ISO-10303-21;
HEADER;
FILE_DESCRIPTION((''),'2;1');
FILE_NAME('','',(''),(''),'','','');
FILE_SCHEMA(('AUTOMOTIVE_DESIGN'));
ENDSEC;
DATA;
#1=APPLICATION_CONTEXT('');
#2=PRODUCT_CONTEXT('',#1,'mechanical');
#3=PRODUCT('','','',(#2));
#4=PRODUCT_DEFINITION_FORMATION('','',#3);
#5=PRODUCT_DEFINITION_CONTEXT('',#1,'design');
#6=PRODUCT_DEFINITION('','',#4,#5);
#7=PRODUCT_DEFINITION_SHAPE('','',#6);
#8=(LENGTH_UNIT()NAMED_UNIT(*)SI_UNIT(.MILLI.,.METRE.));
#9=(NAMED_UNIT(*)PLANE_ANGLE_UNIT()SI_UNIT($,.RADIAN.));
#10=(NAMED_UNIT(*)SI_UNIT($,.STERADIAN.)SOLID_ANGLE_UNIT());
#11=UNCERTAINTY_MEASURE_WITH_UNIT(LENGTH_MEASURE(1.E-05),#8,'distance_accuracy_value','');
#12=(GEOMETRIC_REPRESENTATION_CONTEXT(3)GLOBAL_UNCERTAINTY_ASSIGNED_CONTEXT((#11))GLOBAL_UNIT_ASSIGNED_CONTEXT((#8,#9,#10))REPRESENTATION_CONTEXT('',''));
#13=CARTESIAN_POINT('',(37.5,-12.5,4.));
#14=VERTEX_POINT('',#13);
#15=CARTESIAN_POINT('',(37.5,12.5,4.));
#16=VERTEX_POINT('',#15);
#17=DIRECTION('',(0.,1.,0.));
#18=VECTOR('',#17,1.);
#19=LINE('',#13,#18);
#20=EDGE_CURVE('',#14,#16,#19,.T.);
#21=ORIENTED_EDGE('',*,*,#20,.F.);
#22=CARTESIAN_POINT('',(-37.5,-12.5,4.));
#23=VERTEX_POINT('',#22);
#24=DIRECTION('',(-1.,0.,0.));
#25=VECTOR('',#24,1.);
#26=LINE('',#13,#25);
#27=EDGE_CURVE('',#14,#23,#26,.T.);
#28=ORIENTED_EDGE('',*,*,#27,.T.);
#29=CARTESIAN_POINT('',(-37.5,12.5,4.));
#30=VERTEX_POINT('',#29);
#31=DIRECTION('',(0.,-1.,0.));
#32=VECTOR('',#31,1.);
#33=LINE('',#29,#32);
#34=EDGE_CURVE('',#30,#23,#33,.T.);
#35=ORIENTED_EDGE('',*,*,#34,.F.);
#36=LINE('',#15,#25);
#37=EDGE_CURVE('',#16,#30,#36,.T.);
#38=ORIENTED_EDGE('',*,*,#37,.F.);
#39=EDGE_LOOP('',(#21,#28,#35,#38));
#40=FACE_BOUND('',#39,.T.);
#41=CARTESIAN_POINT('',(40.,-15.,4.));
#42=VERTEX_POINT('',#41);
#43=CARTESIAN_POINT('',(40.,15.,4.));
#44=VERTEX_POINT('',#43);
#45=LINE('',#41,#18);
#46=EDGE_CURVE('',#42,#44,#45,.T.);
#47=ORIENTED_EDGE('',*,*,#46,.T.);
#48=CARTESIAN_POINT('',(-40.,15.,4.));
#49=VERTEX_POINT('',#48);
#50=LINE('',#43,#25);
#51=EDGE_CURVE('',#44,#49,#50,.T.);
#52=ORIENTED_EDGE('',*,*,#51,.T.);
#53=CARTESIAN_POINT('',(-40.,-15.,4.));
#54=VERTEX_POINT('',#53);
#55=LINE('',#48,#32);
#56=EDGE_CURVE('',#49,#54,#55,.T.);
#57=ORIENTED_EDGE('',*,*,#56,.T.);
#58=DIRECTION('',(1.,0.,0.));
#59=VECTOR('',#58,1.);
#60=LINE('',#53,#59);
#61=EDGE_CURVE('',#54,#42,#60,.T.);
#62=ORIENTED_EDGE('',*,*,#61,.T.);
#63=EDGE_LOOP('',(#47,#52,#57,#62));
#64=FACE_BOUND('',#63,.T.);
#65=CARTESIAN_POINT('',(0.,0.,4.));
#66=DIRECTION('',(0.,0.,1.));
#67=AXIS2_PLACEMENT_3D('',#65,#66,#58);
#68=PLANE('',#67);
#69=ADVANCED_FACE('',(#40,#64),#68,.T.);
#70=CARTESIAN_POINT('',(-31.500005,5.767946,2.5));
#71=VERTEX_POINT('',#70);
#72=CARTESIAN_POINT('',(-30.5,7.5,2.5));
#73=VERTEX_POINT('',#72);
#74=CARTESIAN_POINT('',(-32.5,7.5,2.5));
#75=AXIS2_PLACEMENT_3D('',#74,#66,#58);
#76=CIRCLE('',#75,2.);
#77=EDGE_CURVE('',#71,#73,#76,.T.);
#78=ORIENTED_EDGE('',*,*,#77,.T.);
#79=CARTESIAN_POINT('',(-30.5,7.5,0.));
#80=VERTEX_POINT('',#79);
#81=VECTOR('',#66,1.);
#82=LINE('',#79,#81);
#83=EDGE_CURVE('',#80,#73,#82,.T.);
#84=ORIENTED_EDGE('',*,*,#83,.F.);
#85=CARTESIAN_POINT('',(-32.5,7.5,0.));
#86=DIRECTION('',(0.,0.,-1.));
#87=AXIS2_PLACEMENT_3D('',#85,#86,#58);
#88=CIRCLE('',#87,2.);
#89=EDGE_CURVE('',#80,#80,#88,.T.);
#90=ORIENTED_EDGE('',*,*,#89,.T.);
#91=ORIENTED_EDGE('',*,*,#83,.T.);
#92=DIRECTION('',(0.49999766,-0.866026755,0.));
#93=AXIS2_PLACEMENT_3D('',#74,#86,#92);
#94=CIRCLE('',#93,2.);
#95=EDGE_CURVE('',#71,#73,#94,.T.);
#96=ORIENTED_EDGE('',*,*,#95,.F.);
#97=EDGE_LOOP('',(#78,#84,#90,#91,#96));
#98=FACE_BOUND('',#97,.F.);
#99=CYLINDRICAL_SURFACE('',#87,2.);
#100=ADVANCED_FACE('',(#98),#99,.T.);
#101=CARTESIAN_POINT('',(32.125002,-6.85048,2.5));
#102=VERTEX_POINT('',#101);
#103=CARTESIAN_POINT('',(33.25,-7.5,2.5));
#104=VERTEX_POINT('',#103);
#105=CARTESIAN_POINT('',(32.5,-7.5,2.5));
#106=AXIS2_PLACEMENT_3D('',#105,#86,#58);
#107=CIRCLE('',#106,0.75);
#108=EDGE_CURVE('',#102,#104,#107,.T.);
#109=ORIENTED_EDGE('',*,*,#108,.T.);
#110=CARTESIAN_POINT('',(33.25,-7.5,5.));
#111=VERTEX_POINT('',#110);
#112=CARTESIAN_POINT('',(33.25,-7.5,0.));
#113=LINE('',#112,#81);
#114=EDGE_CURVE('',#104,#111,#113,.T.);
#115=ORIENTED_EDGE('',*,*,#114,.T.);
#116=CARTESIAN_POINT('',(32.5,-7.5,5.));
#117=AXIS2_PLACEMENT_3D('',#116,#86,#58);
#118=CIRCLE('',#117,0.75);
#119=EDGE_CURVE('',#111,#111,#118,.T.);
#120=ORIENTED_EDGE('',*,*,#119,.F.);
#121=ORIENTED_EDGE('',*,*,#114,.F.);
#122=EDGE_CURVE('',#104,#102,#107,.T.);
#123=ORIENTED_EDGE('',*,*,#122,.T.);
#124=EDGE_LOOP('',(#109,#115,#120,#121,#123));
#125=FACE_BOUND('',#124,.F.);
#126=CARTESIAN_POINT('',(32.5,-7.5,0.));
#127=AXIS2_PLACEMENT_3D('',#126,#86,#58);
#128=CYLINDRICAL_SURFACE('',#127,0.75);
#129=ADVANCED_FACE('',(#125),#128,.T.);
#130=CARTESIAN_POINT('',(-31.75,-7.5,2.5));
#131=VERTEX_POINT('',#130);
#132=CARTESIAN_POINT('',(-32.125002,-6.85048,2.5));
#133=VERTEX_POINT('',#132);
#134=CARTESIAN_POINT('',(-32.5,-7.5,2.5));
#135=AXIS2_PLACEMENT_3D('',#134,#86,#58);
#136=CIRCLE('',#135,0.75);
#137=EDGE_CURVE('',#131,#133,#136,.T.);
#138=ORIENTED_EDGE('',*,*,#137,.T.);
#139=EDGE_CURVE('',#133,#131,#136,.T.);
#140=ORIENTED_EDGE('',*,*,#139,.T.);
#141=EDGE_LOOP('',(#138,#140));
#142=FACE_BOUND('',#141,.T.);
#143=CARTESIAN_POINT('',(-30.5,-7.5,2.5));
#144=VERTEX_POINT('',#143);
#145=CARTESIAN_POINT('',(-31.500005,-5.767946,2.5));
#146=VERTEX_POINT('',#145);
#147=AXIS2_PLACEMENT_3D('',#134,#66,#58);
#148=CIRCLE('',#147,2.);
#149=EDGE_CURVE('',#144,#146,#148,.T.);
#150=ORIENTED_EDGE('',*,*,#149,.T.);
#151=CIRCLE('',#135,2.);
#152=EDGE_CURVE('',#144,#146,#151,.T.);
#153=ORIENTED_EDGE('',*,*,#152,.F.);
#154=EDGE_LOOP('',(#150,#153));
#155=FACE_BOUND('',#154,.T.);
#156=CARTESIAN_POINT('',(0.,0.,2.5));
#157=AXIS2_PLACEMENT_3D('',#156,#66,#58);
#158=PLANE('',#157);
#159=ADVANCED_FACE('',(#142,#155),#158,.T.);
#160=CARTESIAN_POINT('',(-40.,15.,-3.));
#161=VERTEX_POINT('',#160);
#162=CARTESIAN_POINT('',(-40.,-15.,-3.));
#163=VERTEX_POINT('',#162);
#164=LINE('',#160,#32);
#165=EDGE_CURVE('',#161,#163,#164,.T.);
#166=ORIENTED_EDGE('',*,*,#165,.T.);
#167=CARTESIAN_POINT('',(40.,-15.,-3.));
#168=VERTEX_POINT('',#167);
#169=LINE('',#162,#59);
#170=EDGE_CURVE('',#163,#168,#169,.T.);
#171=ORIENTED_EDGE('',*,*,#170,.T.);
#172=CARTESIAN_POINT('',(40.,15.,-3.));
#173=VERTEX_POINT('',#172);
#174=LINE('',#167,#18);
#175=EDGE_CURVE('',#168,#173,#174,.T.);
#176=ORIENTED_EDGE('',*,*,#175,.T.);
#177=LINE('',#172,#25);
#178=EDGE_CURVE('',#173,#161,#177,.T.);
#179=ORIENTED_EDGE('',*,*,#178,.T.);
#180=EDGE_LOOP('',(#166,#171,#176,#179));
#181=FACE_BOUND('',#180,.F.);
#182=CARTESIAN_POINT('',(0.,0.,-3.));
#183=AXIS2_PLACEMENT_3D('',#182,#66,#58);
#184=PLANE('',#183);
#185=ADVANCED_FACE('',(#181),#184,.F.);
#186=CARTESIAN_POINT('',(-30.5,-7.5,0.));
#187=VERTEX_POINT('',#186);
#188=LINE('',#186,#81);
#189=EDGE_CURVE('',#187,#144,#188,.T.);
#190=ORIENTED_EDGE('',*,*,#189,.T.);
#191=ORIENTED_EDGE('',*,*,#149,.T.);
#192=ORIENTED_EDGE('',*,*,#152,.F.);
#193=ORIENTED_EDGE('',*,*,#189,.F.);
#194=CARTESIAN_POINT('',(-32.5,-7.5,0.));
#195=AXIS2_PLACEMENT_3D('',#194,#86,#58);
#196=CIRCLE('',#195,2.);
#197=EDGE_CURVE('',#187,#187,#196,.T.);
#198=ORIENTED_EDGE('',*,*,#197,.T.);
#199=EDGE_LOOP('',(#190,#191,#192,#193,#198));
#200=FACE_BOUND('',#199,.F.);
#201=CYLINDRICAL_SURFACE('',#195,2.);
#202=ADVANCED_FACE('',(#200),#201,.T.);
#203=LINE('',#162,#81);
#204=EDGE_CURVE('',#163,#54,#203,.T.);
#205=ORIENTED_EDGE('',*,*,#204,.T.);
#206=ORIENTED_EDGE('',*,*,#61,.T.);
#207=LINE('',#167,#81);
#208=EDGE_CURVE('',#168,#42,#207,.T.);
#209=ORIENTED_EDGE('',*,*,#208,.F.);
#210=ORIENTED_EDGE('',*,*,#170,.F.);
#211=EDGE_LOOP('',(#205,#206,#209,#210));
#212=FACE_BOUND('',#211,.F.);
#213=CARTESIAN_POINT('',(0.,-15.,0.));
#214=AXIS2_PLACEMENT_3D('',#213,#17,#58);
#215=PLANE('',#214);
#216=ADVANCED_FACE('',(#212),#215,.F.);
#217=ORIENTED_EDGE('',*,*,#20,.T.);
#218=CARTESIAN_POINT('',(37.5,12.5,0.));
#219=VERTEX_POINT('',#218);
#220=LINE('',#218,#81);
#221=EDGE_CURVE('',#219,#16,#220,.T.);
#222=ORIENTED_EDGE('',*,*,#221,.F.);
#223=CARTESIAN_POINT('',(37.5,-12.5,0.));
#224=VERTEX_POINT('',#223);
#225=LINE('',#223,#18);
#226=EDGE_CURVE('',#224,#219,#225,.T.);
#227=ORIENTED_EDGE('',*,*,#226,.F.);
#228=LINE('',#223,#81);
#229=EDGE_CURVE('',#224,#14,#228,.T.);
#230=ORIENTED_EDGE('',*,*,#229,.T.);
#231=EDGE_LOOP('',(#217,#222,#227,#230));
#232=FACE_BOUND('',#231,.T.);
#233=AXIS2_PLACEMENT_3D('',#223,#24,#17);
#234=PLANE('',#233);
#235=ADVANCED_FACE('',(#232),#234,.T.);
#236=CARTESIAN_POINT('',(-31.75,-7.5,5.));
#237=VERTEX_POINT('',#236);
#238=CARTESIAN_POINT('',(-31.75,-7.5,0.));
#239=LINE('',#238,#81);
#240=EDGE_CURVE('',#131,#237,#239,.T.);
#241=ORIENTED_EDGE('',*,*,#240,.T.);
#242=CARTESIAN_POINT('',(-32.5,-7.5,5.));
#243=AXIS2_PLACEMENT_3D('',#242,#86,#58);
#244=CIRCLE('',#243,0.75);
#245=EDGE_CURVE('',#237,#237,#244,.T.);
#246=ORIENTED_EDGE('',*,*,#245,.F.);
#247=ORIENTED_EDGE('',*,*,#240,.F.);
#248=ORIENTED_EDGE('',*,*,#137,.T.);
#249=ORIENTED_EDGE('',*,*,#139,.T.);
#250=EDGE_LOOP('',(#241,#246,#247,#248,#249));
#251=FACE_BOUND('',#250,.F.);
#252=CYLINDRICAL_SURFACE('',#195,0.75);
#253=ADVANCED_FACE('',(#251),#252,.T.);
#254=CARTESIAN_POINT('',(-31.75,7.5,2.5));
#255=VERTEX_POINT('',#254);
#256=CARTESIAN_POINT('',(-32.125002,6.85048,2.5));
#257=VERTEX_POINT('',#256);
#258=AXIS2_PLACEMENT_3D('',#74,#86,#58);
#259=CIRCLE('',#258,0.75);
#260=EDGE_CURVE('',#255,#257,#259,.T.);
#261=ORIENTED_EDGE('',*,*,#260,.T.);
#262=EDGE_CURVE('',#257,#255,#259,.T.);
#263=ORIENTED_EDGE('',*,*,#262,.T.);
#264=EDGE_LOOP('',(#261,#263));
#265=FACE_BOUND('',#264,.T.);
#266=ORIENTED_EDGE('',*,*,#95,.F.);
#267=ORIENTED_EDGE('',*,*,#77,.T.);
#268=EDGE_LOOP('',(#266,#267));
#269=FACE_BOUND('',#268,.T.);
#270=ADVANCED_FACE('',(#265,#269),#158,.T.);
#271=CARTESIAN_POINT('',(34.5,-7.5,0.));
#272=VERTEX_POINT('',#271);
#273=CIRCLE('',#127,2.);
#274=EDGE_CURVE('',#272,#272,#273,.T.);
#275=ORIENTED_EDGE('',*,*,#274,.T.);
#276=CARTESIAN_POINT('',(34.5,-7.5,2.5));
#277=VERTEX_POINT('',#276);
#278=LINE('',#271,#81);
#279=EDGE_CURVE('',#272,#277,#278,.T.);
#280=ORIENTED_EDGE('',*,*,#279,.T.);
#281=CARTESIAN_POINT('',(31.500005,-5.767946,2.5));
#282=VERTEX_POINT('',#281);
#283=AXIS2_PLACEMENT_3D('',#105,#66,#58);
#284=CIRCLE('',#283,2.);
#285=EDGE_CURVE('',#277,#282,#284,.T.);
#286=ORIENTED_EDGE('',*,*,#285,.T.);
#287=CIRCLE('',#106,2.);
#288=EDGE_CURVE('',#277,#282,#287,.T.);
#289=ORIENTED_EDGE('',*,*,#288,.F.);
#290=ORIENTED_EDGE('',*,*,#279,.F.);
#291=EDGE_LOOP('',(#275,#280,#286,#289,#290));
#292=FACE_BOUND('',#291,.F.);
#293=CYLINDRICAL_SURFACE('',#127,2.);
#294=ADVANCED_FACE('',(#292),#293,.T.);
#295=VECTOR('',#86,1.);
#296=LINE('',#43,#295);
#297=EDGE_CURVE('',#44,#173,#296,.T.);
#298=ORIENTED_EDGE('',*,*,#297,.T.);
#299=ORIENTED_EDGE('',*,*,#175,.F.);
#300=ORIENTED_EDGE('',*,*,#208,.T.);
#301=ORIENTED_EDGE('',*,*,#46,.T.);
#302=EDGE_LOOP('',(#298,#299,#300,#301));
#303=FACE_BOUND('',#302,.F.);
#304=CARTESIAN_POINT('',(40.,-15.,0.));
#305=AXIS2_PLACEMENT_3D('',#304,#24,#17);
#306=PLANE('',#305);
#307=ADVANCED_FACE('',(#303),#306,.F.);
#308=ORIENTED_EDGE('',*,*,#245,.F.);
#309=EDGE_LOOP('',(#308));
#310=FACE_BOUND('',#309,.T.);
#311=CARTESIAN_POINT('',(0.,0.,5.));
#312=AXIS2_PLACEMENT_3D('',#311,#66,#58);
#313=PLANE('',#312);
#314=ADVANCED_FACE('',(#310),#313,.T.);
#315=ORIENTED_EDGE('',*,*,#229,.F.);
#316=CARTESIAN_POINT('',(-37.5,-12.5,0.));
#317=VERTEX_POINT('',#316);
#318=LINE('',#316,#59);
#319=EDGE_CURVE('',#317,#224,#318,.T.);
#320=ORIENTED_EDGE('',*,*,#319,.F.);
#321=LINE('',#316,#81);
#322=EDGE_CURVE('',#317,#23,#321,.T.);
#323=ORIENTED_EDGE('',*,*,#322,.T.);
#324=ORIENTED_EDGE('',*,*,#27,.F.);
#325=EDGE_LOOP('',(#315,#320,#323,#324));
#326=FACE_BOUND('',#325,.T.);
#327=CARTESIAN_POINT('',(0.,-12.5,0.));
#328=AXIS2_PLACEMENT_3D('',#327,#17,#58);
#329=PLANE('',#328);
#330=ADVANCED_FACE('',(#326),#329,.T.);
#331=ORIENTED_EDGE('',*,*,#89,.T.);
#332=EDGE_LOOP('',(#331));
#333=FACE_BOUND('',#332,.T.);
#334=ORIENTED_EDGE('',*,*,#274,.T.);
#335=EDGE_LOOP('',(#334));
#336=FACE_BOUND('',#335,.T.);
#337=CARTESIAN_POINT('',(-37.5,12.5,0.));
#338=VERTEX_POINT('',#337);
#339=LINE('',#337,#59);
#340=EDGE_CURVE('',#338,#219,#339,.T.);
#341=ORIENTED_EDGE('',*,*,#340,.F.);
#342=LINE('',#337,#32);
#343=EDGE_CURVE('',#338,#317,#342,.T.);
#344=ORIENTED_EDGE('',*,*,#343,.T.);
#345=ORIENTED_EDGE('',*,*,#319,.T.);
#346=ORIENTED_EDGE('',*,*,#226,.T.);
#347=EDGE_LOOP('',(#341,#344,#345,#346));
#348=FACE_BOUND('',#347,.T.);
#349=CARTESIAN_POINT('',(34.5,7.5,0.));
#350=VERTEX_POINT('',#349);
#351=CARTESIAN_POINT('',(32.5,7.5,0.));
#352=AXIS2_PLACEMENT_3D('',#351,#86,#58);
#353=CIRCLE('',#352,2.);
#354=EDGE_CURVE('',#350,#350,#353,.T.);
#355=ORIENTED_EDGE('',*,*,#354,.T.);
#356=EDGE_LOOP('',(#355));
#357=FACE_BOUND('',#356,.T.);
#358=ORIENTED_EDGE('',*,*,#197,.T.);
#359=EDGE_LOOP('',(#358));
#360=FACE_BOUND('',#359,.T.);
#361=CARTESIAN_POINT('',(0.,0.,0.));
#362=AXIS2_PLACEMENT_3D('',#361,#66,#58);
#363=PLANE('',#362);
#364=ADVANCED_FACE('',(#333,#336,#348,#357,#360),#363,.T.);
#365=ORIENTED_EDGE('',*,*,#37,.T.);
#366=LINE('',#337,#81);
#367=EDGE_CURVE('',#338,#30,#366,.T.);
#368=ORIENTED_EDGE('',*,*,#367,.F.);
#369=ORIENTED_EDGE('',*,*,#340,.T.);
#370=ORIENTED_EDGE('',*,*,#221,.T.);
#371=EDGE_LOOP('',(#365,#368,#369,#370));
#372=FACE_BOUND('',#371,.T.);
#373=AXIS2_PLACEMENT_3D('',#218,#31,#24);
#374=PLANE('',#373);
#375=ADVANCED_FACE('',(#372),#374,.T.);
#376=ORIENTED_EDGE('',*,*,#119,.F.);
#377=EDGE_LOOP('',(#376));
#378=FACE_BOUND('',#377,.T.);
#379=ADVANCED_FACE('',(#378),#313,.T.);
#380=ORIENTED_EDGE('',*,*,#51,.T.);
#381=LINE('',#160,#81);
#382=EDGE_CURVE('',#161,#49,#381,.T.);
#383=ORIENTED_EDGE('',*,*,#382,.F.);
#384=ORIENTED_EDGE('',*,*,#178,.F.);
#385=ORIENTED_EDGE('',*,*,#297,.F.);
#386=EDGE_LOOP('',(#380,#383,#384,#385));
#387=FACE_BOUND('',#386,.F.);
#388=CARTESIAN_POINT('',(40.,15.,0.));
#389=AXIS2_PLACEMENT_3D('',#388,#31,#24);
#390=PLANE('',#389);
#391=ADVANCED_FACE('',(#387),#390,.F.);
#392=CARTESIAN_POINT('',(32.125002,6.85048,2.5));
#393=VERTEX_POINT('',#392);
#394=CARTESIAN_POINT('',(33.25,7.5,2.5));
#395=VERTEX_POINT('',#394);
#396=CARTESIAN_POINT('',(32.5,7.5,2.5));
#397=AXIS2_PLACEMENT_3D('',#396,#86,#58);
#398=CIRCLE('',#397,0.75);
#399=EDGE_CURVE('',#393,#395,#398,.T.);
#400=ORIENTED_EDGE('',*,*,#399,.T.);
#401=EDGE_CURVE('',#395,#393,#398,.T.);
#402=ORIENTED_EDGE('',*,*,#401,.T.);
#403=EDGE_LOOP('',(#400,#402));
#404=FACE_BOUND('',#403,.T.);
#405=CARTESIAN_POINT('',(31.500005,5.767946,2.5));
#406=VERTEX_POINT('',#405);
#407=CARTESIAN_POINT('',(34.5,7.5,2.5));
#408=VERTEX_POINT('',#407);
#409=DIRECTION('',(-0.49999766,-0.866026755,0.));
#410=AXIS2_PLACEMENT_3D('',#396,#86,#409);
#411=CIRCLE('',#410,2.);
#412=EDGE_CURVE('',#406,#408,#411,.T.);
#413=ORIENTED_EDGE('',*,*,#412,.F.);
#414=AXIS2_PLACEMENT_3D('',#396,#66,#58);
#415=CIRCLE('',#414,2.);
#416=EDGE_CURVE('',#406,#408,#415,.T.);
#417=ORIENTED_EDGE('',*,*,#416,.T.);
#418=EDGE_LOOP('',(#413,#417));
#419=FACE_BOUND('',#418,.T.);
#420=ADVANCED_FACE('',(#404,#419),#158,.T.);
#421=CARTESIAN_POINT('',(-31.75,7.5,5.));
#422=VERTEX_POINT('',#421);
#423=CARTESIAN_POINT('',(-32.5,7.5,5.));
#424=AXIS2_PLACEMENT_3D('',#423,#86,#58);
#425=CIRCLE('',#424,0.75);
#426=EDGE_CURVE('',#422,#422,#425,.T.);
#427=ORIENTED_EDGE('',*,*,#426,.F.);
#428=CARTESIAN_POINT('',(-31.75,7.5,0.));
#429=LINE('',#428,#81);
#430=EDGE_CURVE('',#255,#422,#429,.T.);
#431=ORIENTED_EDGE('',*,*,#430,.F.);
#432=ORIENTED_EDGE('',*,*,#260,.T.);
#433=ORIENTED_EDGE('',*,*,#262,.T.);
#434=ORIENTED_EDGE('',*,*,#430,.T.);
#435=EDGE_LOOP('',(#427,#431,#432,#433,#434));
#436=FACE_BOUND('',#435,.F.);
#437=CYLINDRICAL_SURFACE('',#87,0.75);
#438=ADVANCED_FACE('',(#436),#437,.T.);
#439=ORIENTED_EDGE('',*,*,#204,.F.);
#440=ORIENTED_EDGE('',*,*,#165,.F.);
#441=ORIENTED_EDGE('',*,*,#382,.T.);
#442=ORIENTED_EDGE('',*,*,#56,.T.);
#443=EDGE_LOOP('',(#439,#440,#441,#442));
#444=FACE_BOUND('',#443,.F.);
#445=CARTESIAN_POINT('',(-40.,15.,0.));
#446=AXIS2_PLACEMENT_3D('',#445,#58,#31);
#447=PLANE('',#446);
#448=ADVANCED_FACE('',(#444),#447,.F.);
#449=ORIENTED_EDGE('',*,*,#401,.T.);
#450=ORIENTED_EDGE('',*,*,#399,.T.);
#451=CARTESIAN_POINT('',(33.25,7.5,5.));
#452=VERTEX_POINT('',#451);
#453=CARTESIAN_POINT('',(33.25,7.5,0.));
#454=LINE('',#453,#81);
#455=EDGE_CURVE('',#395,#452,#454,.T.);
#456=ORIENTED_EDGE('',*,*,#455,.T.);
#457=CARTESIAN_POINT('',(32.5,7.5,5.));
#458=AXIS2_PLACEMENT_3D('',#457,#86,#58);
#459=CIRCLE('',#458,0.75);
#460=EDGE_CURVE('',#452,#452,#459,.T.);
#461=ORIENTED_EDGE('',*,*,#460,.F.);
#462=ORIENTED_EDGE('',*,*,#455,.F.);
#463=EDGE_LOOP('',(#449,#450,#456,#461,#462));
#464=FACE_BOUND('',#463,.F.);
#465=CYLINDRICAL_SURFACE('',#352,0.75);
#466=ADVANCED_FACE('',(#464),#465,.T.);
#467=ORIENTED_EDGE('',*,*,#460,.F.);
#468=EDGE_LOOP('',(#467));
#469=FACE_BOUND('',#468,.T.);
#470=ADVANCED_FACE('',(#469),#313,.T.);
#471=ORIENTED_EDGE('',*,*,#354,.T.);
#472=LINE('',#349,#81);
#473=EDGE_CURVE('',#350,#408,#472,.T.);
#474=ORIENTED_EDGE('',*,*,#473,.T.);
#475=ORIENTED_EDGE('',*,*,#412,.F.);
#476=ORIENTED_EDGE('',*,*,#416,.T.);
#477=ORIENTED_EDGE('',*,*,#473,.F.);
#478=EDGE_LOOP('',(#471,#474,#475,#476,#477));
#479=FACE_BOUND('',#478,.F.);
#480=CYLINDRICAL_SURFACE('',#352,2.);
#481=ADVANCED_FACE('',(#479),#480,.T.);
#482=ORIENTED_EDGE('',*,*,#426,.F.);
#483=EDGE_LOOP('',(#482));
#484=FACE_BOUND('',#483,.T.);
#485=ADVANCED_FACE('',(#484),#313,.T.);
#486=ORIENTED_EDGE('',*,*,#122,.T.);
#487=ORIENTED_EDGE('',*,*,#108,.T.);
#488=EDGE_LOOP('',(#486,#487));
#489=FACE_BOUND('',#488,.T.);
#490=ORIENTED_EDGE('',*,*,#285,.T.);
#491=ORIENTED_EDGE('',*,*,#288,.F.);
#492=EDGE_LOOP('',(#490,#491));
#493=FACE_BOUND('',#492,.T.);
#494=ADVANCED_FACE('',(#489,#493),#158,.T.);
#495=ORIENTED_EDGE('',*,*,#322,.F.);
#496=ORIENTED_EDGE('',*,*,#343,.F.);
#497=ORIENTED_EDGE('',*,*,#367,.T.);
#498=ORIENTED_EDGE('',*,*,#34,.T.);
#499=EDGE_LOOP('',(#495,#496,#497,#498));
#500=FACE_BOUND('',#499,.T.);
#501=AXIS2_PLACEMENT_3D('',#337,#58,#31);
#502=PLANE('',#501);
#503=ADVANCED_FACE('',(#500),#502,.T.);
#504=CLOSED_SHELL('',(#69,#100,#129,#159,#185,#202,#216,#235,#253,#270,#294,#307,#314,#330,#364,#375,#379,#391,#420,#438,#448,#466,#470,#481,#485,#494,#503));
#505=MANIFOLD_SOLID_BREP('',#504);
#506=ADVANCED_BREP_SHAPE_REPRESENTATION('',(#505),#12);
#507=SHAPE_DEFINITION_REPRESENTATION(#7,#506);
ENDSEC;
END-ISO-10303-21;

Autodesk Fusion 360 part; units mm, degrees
sketch "Sketch1" plane through (0, 0, 0) normal (0, 0, 1) x (1, 0, 0)
  line L0 (37.5, 12.5) -> (-37.5, 12.5)
  line L1 (-37.5, 12.5) -> (-37.5, -12.5)
  line L2 (-37.5, -12.5) -> (37.5, -12.5)
  line L3 (37.5, -12.5) -> (37.5, 12.5)
  line L4 (37.5, 12.5) -> (-37.5, -12.5) construction
  line L5 (-37.5, 12.5) -> (37.5, -12.5) construction
  line L6 (-40, -15) -> (40, -15)
  line L7 (40, -15) -> (40, 15)
  line L8 (40, 15) -> (-40, 15)
  line L9 (-40, 15) -> (-40, -15)
  line L10 (-34.5, -9.5) -> (34.5, -9.5)
  line L11 (34.5, -9.5) -> (34.5, 9.5)
  line L12 (34.5, 9.5) -> (-34.5, 9.5)
  line L13 (-34.5, 9.5) -> (-34.5, -9.5)
  line L14 (0, 15) -> (0, -15)
  circle A0 centre (-32.5, 7.5) radius 0.75
  circle A1 centre (-32.5, 7.5) radius 2
  circle A2 centre (-32.5, -7.5) radius 2
  circle A3 centre (-32.5, -7.5) radius 0.75
  circle A4 centre (32.5, -7.5) radius 0.75
  circle A5 centre (32.5, -7.5) radius 2
  circle A6 centre (32.5, 7.5) radius 0.75
  circle A7 centre (32.5, 7.5) radius 2
  line L15 (-32.5, 7.5) -> (-28.1699, 0)
  line L16 (-28.1699, 0) -> (-32.5, -7.5)
  line L17 (32.5, -7.5) -> (28.1699, 0)
  line L18 (28.1699, 0) -> (32.5, 7.5)
  dimension "d1" = 75
  dimension "d2" = 25
  dimension "d3" = 2.5
  dimension "d4" = -3
  dimension "d5" = 1.5
  dimension "d6" = 4
  dimension "d7" = 4
  dimension "d8" = 1.5
  dimension "d9" = 1.5
  dimension "d10" = 4
  dimension "d11" = 1.5
  dimension "d12" = 4
  dimension "d16" = 30
  dimension "d17" = 30
  dimension "d18" = 30
  dimension "d19" = 30
extrude "Extrude1" add sketch "Sketch1" against normal blind 3 contours L0 L2 L3 L10 L11 L12 L14 | L0 L2 L3 L6 L7 L8 L14 | L0 L1 L2 L10 L12 L13 L14 | L0 L1 L2 L6 L8 L9 L14 | L10 L12 L14 A1 A2 L15 L16 | L10 L12 L14 A5 A7 L17 L18 | L11 L12 A7 | A6 | A7 | L12 L13 A1 | A0 | A1 | L11 A5 A7 L17 L18 | L13 A1 A2 L15 L16 | L10 L13 A2 | A3 | A2 | L10 L11 A5 | A4 | A5
extrude "Extrude2" add sketch "Sketch1" along normal blind 4 contours L0 L2 L3 L6 L7 L8 L14 | L0 L1 L2 L6 L8 L9 L14
extrude "Extrude3" add sketch "Sketch1" along normal blind 2.5 contours A6 | A7 | A0 | A1 | A3 | A2 | A4 | A5
extrude "Extrude5" add sketch "Sketch1" along normal blind 5 contours A6 | A0 | A3 | A4
